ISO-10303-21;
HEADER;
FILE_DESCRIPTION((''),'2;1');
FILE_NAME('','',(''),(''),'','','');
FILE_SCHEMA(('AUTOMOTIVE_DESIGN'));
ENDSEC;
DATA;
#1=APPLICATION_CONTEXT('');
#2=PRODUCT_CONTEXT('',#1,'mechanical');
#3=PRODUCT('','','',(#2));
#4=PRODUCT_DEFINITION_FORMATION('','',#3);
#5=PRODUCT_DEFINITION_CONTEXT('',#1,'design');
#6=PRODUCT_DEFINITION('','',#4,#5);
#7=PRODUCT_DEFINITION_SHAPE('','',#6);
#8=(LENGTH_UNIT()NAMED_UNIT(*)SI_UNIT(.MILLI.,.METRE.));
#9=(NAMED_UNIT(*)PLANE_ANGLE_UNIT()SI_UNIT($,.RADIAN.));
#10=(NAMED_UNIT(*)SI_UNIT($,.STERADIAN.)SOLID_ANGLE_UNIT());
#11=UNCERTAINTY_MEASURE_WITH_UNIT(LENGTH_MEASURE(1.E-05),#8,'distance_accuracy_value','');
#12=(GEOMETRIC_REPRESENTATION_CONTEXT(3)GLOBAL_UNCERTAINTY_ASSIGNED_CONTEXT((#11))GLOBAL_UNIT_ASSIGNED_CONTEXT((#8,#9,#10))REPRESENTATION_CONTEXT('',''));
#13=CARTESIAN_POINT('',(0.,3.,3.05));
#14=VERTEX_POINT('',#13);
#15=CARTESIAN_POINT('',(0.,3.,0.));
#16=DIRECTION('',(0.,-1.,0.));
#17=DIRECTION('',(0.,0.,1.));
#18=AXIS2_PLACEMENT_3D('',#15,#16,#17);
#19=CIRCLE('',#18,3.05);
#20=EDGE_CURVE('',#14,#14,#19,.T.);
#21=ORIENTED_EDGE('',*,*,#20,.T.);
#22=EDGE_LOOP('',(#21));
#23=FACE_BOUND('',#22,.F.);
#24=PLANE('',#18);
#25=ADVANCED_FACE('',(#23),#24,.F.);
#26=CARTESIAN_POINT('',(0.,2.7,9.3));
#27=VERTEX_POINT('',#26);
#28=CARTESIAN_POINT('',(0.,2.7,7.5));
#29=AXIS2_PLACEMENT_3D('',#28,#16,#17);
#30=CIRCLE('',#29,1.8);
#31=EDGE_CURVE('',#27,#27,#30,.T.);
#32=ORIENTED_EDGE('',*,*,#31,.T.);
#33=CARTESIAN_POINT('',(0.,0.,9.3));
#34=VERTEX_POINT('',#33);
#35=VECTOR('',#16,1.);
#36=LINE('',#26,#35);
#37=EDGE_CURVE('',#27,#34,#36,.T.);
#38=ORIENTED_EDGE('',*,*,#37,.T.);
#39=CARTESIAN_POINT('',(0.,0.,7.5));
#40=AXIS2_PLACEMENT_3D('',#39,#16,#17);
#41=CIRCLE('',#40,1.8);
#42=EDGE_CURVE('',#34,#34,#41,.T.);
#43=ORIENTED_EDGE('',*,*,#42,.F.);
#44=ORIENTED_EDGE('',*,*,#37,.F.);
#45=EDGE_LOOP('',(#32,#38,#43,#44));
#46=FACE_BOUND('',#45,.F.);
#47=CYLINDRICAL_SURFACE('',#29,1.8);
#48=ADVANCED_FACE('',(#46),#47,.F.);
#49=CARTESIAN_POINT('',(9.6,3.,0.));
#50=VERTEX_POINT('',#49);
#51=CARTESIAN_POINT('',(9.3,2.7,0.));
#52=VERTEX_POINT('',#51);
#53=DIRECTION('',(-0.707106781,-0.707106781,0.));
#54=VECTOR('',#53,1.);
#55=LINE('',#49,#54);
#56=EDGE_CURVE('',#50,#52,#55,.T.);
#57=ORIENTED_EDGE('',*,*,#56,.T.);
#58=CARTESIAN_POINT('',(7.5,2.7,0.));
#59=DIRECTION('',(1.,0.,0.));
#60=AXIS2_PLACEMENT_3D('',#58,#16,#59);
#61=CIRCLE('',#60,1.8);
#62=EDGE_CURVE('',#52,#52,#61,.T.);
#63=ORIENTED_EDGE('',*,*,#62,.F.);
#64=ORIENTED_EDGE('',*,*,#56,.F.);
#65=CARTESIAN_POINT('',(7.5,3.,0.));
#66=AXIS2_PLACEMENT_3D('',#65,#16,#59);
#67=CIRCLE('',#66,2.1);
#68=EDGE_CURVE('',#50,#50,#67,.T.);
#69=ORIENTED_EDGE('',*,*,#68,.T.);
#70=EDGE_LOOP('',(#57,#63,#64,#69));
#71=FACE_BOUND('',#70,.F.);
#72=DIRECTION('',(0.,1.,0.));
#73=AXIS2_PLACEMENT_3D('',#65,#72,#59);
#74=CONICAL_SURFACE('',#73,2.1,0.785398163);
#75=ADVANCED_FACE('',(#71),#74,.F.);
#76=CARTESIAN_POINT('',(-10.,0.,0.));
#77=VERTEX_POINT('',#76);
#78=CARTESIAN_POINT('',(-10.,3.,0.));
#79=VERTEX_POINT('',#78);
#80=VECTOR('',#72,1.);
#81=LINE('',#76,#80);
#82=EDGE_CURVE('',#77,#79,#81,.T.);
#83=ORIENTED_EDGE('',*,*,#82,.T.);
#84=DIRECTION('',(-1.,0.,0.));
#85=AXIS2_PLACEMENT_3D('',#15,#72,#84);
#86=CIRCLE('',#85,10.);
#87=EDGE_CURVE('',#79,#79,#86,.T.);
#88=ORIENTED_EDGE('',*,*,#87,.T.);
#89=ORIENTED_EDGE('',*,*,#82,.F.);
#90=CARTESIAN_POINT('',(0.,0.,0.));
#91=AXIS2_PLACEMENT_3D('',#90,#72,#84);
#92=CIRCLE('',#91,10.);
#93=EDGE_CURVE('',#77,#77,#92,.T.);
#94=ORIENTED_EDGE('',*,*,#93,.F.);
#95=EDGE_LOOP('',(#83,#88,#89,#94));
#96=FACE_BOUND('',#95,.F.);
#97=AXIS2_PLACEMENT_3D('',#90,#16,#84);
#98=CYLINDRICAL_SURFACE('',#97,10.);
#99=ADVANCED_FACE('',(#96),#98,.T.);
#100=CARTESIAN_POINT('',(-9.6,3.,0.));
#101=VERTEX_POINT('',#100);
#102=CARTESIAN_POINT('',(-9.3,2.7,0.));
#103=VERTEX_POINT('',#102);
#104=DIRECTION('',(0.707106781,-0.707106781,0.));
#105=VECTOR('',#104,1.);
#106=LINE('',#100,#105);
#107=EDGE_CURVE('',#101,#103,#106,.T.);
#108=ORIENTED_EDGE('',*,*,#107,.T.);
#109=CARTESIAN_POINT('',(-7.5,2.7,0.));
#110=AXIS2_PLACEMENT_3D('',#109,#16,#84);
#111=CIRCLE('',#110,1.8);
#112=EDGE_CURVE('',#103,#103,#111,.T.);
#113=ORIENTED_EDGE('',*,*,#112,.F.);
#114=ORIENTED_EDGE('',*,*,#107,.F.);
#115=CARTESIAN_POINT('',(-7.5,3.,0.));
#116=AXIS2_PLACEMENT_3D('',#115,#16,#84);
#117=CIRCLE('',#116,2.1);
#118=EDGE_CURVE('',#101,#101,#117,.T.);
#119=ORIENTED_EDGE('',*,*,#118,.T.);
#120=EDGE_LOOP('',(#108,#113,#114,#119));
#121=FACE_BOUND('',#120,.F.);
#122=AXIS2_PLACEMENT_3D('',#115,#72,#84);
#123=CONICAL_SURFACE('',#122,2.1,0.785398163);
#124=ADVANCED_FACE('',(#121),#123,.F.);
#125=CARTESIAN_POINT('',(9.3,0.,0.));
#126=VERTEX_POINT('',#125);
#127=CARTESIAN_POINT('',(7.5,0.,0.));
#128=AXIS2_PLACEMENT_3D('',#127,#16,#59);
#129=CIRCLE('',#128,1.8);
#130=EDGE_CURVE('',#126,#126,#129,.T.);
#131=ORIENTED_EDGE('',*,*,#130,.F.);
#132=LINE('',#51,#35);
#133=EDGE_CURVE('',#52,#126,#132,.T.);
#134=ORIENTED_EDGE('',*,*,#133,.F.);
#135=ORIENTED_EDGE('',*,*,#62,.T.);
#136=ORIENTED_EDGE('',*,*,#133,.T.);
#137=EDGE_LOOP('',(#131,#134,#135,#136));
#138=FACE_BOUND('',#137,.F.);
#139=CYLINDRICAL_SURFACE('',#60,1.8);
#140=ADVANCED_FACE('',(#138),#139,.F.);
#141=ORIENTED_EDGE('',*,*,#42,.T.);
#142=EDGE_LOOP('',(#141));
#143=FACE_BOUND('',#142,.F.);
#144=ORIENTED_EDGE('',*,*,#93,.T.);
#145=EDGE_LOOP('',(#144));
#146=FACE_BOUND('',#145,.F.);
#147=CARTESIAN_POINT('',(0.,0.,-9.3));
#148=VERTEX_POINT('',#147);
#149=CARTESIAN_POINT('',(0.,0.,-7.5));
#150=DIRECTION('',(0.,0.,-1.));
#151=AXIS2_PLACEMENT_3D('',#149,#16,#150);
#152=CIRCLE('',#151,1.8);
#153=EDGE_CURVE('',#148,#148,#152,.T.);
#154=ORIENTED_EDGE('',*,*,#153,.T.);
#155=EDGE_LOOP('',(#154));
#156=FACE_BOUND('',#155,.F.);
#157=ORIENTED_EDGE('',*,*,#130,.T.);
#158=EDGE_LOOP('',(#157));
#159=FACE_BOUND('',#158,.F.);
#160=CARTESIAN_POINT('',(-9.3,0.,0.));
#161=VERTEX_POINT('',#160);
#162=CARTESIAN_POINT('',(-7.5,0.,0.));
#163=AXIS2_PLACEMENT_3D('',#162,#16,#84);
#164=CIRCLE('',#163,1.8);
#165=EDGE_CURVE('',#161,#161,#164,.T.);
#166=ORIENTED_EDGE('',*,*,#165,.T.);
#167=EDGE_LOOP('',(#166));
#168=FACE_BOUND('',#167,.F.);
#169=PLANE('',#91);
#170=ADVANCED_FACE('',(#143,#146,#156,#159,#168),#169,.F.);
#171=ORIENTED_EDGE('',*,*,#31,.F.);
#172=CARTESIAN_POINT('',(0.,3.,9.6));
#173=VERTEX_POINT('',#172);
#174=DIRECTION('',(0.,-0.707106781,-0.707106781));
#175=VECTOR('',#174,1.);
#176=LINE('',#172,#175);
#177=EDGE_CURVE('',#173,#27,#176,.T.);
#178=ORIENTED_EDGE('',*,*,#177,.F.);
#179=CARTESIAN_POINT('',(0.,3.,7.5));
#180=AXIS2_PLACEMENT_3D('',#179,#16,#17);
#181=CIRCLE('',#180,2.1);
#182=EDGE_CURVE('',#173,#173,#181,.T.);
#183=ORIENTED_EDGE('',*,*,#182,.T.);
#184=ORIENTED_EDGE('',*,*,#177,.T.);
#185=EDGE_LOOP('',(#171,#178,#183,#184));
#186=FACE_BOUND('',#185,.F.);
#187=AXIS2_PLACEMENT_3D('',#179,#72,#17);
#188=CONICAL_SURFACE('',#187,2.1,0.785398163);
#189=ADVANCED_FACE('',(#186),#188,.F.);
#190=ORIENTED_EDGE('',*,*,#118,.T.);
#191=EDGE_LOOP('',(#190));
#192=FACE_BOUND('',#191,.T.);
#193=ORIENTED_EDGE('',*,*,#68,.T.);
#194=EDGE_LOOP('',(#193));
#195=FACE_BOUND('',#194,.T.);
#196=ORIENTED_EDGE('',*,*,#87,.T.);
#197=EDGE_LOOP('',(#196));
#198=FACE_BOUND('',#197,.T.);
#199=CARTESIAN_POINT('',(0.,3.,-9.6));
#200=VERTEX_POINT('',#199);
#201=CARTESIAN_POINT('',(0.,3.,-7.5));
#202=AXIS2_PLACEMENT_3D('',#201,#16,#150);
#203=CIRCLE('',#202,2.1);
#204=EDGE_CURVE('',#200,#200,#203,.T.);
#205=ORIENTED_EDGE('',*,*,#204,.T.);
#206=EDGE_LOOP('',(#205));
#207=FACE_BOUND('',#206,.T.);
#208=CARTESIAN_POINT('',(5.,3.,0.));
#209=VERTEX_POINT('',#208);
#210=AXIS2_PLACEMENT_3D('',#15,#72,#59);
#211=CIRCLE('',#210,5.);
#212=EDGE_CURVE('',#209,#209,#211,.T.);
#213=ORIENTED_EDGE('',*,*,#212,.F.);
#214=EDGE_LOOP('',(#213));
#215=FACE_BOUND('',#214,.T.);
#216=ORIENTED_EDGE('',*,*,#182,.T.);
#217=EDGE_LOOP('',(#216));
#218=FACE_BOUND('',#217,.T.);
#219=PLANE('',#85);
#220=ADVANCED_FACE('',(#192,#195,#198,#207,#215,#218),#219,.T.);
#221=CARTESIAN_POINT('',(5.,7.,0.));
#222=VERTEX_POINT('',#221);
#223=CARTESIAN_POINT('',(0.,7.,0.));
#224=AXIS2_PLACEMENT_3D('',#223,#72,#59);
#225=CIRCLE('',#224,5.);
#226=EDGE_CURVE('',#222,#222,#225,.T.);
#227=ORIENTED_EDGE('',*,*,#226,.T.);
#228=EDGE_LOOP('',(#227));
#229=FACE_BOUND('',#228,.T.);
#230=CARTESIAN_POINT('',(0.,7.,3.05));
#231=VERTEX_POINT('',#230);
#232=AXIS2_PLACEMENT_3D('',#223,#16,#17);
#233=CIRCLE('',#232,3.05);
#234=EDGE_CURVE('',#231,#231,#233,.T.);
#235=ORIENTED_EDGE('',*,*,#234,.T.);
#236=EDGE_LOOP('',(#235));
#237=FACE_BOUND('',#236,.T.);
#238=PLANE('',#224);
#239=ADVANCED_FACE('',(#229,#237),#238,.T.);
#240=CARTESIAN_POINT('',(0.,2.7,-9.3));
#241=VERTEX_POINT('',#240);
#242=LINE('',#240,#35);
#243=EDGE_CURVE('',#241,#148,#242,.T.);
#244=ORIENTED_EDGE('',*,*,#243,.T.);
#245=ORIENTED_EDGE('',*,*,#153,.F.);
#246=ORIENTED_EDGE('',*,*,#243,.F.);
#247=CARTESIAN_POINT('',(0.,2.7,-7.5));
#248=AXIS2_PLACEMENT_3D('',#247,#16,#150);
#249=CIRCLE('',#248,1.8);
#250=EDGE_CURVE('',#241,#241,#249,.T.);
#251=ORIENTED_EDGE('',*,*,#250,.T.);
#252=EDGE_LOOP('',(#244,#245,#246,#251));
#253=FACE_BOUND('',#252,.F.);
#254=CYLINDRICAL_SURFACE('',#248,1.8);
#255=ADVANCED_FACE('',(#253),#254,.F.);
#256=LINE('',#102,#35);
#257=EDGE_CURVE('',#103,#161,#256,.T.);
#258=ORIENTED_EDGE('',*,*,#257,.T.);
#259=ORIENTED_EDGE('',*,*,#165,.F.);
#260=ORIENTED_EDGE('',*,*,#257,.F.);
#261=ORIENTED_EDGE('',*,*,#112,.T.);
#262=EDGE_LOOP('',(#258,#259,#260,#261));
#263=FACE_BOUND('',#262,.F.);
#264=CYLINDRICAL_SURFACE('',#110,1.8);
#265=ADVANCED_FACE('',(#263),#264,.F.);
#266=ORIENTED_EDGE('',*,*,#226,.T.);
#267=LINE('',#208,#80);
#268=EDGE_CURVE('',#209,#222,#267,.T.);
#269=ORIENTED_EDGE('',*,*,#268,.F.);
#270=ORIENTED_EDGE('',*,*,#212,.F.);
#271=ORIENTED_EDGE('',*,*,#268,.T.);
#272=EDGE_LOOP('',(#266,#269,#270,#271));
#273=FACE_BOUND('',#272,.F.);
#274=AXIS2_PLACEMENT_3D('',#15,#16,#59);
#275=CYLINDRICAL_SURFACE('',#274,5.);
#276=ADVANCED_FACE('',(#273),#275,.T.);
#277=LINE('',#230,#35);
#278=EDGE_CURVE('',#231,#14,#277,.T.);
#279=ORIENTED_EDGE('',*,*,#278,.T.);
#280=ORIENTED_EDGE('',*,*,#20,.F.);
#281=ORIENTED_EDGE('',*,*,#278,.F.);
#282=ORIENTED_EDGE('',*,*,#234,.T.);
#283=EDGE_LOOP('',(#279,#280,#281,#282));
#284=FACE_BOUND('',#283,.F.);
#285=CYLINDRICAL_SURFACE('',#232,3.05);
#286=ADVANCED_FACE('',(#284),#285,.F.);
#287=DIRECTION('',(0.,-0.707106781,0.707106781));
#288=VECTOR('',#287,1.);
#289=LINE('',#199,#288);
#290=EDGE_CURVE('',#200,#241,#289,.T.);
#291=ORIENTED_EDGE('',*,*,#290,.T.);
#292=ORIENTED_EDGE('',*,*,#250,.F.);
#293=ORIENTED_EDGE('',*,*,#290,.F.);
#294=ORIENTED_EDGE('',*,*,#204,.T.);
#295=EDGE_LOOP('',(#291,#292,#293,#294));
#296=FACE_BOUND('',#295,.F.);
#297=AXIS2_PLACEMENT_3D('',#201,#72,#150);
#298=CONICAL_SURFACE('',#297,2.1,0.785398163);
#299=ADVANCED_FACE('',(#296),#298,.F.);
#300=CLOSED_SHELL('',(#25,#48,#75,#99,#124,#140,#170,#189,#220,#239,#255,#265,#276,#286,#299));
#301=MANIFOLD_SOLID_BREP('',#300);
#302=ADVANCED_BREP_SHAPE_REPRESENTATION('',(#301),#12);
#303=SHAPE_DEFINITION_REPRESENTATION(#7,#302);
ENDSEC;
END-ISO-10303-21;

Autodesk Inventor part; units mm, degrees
ref_plane "YZ Plane" through (0, 0, 0) normal (1, 0, 0) x (0, 1, 0)
ref_plane "XZ Plane" through (0, 0, 0) normal (0, 1, 0) x (-1, 0, 0)
ref_plane "XY Plane" through (0, 0, 0) normal (0, 0, 1) x (1, 0, 0)
sketch "Эскиз1" plane through (0, 0, 0) normal (0, 1, 0) x (-1, 0, 0)
  circle A0 centre (0, 0) radius 10
  dimension "d0" = 20
extrude "Выдавливание1" add sketch "Эскиз1" along normal blind 3
sketch "Эскиз2" plane through (0, 3, 0) normal (0, 1, 0) x (1, 0, 0)
  circle A0 centre (0, 0) radius 10 projected
  circle A1 centre (0, 0) radius 5
  dimension "d3" = 10
extrude "Выдавливание2" add sketch "Эскиз2" along normal blind 4 contours A1
sketch "Эскиз3" plane through (0, 7, 0) normal (0, 1, 0) x (1, 0, 0)
  circle A0 centre (0, 0) radius 5 projected
hole "Отверстие1" at (0, 7, 0) direction (0, -1, 0) diameter 6.1 depth 4
sketch "Эскиз4" plane through (0, 3, 0) normal (0, 1, 0) x (1, 0, 0)
  circle A0 centre (0, 0) radius 5 projected
  circle A1 centre (0, 0) radius 10 projected
  circle A2 centre (0, 0) radius 7.5 construction
  point P0 (0, -7.5)
  dimension "d22" = 15
  dimension "d13" = 5
hole "Отверстие2" at (0, 3, 7.5) direction (0, -1, 0) diameter 3.6 depth 4 countersink diameter 4.2 countersink angle 90
pattern_circular "Круговой массив1" count 4 over 360 about axis through (0, 5, 0) along (0, 1, 0) of "Отверстие2"
properties part number "втулка"
